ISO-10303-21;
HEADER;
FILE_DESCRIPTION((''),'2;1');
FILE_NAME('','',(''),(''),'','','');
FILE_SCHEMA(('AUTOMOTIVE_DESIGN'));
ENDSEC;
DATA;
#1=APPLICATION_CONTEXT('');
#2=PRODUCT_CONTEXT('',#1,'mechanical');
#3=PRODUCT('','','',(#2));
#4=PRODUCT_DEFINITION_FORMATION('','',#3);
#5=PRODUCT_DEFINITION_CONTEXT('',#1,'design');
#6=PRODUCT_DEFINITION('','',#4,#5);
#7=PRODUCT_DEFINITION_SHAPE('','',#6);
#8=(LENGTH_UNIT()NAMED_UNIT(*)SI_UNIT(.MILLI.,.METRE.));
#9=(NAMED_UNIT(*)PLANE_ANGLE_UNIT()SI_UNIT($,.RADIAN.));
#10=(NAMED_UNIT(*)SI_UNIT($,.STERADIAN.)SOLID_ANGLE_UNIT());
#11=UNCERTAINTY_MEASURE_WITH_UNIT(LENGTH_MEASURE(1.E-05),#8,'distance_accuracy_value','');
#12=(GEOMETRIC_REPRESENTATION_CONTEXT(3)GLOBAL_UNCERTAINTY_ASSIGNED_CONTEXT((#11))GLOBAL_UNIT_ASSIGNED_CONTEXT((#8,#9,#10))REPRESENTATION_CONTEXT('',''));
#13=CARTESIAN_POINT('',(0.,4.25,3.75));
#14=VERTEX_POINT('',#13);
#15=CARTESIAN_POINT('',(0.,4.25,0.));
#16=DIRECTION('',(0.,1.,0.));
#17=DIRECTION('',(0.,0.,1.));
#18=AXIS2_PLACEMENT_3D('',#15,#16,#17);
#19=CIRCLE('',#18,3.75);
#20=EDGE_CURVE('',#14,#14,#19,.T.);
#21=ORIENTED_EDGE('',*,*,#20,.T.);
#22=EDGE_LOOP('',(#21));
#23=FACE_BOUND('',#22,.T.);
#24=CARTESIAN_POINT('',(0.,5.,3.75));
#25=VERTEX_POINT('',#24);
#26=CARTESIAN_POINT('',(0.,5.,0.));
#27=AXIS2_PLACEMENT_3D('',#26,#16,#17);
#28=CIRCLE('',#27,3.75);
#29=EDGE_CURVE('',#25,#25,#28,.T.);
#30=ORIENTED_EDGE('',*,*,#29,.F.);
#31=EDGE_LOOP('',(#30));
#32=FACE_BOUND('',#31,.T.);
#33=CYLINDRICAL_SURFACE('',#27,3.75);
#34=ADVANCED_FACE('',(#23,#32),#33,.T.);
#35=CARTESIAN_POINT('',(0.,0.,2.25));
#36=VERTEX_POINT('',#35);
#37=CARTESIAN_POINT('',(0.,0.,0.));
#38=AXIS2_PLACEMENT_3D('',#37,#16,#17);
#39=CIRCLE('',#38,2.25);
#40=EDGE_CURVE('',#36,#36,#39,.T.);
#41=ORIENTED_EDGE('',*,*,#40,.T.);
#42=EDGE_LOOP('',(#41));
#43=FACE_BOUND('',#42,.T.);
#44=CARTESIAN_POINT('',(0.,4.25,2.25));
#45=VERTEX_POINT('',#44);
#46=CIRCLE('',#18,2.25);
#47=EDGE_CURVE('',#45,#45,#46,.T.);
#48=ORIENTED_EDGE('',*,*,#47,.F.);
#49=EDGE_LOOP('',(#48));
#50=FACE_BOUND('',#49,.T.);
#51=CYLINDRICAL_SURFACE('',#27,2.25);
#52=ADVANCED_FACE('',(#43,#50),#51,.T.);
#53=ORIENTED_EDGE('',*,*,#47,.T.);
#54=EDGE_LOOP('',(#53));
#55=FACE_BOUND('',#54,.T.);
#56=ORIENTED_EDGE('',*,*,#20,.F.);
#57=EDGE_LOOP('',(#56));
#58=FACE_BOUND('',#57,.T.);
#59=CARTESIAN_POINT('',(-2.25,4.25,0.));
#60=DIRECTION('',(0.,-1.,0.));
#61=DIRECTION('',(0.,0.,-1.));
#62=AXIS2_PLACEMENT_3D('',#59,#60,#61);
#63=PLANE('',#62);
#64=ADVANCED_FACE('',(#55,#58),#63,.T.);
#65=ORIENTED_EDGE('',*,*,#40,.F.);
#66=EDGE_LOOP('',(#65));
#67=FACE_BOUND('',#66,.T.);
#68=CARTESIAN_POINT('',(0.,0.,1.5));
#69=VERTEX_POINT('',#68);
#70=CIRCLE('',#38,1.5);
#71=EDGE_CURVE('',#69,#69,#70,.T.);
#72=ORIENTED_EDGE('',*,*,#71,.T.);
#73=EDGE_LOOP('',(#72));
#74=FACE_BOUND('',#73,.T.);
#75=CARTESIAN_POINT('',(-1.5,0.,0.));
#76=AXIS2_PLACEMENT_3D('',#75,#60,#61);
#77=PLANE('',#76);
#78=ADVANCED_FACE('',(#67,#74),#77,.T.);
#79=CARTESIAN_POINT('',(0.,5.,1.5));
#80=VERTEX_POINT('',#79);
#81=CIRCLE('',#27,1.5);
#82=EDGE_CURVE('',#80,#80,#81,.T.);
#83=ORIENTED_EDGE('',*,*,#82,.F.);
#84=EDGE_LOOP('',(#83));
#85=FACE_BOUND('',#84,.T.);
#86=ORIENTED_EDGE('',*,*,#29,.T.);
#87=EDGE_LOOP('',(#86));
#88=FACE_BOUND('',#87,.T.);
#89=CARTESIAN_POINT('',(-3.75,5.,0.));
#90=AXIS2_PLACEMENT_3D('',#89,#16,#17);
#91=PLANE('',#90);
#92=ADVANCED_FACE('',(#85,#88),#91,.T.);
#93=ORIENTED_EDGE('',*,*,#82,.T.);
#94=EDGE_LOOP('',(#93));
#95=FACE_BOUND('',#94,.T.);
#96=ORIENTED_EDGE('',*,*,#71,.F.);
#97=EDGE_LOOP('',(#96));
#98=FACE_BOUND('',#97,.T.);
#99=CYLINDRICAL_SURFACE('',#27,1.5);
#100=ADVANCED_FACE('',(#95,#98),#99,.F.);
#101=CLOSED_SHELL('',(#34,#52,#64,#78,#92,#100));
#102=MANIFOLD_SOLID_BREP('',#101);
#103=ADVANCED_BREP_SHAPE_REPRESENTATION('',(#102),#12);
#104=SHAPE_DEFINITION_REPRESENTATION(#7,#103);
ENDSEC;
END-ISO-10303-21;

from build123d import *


with BuildPart() as part:
    # Esquisse1 → Révolution1 (revolve)
    with BuildSketch(Plane.XY):
        Polygon((-3.75, 5), (-1.5, 5), (-1.5, 0), (-2.25, 0), (-2.25, 4.25), (-3.75, 4.25), align=None)
    revolve(axis=Axis((0, 5, 0), (0, -1, 0)))


solid = part.part
